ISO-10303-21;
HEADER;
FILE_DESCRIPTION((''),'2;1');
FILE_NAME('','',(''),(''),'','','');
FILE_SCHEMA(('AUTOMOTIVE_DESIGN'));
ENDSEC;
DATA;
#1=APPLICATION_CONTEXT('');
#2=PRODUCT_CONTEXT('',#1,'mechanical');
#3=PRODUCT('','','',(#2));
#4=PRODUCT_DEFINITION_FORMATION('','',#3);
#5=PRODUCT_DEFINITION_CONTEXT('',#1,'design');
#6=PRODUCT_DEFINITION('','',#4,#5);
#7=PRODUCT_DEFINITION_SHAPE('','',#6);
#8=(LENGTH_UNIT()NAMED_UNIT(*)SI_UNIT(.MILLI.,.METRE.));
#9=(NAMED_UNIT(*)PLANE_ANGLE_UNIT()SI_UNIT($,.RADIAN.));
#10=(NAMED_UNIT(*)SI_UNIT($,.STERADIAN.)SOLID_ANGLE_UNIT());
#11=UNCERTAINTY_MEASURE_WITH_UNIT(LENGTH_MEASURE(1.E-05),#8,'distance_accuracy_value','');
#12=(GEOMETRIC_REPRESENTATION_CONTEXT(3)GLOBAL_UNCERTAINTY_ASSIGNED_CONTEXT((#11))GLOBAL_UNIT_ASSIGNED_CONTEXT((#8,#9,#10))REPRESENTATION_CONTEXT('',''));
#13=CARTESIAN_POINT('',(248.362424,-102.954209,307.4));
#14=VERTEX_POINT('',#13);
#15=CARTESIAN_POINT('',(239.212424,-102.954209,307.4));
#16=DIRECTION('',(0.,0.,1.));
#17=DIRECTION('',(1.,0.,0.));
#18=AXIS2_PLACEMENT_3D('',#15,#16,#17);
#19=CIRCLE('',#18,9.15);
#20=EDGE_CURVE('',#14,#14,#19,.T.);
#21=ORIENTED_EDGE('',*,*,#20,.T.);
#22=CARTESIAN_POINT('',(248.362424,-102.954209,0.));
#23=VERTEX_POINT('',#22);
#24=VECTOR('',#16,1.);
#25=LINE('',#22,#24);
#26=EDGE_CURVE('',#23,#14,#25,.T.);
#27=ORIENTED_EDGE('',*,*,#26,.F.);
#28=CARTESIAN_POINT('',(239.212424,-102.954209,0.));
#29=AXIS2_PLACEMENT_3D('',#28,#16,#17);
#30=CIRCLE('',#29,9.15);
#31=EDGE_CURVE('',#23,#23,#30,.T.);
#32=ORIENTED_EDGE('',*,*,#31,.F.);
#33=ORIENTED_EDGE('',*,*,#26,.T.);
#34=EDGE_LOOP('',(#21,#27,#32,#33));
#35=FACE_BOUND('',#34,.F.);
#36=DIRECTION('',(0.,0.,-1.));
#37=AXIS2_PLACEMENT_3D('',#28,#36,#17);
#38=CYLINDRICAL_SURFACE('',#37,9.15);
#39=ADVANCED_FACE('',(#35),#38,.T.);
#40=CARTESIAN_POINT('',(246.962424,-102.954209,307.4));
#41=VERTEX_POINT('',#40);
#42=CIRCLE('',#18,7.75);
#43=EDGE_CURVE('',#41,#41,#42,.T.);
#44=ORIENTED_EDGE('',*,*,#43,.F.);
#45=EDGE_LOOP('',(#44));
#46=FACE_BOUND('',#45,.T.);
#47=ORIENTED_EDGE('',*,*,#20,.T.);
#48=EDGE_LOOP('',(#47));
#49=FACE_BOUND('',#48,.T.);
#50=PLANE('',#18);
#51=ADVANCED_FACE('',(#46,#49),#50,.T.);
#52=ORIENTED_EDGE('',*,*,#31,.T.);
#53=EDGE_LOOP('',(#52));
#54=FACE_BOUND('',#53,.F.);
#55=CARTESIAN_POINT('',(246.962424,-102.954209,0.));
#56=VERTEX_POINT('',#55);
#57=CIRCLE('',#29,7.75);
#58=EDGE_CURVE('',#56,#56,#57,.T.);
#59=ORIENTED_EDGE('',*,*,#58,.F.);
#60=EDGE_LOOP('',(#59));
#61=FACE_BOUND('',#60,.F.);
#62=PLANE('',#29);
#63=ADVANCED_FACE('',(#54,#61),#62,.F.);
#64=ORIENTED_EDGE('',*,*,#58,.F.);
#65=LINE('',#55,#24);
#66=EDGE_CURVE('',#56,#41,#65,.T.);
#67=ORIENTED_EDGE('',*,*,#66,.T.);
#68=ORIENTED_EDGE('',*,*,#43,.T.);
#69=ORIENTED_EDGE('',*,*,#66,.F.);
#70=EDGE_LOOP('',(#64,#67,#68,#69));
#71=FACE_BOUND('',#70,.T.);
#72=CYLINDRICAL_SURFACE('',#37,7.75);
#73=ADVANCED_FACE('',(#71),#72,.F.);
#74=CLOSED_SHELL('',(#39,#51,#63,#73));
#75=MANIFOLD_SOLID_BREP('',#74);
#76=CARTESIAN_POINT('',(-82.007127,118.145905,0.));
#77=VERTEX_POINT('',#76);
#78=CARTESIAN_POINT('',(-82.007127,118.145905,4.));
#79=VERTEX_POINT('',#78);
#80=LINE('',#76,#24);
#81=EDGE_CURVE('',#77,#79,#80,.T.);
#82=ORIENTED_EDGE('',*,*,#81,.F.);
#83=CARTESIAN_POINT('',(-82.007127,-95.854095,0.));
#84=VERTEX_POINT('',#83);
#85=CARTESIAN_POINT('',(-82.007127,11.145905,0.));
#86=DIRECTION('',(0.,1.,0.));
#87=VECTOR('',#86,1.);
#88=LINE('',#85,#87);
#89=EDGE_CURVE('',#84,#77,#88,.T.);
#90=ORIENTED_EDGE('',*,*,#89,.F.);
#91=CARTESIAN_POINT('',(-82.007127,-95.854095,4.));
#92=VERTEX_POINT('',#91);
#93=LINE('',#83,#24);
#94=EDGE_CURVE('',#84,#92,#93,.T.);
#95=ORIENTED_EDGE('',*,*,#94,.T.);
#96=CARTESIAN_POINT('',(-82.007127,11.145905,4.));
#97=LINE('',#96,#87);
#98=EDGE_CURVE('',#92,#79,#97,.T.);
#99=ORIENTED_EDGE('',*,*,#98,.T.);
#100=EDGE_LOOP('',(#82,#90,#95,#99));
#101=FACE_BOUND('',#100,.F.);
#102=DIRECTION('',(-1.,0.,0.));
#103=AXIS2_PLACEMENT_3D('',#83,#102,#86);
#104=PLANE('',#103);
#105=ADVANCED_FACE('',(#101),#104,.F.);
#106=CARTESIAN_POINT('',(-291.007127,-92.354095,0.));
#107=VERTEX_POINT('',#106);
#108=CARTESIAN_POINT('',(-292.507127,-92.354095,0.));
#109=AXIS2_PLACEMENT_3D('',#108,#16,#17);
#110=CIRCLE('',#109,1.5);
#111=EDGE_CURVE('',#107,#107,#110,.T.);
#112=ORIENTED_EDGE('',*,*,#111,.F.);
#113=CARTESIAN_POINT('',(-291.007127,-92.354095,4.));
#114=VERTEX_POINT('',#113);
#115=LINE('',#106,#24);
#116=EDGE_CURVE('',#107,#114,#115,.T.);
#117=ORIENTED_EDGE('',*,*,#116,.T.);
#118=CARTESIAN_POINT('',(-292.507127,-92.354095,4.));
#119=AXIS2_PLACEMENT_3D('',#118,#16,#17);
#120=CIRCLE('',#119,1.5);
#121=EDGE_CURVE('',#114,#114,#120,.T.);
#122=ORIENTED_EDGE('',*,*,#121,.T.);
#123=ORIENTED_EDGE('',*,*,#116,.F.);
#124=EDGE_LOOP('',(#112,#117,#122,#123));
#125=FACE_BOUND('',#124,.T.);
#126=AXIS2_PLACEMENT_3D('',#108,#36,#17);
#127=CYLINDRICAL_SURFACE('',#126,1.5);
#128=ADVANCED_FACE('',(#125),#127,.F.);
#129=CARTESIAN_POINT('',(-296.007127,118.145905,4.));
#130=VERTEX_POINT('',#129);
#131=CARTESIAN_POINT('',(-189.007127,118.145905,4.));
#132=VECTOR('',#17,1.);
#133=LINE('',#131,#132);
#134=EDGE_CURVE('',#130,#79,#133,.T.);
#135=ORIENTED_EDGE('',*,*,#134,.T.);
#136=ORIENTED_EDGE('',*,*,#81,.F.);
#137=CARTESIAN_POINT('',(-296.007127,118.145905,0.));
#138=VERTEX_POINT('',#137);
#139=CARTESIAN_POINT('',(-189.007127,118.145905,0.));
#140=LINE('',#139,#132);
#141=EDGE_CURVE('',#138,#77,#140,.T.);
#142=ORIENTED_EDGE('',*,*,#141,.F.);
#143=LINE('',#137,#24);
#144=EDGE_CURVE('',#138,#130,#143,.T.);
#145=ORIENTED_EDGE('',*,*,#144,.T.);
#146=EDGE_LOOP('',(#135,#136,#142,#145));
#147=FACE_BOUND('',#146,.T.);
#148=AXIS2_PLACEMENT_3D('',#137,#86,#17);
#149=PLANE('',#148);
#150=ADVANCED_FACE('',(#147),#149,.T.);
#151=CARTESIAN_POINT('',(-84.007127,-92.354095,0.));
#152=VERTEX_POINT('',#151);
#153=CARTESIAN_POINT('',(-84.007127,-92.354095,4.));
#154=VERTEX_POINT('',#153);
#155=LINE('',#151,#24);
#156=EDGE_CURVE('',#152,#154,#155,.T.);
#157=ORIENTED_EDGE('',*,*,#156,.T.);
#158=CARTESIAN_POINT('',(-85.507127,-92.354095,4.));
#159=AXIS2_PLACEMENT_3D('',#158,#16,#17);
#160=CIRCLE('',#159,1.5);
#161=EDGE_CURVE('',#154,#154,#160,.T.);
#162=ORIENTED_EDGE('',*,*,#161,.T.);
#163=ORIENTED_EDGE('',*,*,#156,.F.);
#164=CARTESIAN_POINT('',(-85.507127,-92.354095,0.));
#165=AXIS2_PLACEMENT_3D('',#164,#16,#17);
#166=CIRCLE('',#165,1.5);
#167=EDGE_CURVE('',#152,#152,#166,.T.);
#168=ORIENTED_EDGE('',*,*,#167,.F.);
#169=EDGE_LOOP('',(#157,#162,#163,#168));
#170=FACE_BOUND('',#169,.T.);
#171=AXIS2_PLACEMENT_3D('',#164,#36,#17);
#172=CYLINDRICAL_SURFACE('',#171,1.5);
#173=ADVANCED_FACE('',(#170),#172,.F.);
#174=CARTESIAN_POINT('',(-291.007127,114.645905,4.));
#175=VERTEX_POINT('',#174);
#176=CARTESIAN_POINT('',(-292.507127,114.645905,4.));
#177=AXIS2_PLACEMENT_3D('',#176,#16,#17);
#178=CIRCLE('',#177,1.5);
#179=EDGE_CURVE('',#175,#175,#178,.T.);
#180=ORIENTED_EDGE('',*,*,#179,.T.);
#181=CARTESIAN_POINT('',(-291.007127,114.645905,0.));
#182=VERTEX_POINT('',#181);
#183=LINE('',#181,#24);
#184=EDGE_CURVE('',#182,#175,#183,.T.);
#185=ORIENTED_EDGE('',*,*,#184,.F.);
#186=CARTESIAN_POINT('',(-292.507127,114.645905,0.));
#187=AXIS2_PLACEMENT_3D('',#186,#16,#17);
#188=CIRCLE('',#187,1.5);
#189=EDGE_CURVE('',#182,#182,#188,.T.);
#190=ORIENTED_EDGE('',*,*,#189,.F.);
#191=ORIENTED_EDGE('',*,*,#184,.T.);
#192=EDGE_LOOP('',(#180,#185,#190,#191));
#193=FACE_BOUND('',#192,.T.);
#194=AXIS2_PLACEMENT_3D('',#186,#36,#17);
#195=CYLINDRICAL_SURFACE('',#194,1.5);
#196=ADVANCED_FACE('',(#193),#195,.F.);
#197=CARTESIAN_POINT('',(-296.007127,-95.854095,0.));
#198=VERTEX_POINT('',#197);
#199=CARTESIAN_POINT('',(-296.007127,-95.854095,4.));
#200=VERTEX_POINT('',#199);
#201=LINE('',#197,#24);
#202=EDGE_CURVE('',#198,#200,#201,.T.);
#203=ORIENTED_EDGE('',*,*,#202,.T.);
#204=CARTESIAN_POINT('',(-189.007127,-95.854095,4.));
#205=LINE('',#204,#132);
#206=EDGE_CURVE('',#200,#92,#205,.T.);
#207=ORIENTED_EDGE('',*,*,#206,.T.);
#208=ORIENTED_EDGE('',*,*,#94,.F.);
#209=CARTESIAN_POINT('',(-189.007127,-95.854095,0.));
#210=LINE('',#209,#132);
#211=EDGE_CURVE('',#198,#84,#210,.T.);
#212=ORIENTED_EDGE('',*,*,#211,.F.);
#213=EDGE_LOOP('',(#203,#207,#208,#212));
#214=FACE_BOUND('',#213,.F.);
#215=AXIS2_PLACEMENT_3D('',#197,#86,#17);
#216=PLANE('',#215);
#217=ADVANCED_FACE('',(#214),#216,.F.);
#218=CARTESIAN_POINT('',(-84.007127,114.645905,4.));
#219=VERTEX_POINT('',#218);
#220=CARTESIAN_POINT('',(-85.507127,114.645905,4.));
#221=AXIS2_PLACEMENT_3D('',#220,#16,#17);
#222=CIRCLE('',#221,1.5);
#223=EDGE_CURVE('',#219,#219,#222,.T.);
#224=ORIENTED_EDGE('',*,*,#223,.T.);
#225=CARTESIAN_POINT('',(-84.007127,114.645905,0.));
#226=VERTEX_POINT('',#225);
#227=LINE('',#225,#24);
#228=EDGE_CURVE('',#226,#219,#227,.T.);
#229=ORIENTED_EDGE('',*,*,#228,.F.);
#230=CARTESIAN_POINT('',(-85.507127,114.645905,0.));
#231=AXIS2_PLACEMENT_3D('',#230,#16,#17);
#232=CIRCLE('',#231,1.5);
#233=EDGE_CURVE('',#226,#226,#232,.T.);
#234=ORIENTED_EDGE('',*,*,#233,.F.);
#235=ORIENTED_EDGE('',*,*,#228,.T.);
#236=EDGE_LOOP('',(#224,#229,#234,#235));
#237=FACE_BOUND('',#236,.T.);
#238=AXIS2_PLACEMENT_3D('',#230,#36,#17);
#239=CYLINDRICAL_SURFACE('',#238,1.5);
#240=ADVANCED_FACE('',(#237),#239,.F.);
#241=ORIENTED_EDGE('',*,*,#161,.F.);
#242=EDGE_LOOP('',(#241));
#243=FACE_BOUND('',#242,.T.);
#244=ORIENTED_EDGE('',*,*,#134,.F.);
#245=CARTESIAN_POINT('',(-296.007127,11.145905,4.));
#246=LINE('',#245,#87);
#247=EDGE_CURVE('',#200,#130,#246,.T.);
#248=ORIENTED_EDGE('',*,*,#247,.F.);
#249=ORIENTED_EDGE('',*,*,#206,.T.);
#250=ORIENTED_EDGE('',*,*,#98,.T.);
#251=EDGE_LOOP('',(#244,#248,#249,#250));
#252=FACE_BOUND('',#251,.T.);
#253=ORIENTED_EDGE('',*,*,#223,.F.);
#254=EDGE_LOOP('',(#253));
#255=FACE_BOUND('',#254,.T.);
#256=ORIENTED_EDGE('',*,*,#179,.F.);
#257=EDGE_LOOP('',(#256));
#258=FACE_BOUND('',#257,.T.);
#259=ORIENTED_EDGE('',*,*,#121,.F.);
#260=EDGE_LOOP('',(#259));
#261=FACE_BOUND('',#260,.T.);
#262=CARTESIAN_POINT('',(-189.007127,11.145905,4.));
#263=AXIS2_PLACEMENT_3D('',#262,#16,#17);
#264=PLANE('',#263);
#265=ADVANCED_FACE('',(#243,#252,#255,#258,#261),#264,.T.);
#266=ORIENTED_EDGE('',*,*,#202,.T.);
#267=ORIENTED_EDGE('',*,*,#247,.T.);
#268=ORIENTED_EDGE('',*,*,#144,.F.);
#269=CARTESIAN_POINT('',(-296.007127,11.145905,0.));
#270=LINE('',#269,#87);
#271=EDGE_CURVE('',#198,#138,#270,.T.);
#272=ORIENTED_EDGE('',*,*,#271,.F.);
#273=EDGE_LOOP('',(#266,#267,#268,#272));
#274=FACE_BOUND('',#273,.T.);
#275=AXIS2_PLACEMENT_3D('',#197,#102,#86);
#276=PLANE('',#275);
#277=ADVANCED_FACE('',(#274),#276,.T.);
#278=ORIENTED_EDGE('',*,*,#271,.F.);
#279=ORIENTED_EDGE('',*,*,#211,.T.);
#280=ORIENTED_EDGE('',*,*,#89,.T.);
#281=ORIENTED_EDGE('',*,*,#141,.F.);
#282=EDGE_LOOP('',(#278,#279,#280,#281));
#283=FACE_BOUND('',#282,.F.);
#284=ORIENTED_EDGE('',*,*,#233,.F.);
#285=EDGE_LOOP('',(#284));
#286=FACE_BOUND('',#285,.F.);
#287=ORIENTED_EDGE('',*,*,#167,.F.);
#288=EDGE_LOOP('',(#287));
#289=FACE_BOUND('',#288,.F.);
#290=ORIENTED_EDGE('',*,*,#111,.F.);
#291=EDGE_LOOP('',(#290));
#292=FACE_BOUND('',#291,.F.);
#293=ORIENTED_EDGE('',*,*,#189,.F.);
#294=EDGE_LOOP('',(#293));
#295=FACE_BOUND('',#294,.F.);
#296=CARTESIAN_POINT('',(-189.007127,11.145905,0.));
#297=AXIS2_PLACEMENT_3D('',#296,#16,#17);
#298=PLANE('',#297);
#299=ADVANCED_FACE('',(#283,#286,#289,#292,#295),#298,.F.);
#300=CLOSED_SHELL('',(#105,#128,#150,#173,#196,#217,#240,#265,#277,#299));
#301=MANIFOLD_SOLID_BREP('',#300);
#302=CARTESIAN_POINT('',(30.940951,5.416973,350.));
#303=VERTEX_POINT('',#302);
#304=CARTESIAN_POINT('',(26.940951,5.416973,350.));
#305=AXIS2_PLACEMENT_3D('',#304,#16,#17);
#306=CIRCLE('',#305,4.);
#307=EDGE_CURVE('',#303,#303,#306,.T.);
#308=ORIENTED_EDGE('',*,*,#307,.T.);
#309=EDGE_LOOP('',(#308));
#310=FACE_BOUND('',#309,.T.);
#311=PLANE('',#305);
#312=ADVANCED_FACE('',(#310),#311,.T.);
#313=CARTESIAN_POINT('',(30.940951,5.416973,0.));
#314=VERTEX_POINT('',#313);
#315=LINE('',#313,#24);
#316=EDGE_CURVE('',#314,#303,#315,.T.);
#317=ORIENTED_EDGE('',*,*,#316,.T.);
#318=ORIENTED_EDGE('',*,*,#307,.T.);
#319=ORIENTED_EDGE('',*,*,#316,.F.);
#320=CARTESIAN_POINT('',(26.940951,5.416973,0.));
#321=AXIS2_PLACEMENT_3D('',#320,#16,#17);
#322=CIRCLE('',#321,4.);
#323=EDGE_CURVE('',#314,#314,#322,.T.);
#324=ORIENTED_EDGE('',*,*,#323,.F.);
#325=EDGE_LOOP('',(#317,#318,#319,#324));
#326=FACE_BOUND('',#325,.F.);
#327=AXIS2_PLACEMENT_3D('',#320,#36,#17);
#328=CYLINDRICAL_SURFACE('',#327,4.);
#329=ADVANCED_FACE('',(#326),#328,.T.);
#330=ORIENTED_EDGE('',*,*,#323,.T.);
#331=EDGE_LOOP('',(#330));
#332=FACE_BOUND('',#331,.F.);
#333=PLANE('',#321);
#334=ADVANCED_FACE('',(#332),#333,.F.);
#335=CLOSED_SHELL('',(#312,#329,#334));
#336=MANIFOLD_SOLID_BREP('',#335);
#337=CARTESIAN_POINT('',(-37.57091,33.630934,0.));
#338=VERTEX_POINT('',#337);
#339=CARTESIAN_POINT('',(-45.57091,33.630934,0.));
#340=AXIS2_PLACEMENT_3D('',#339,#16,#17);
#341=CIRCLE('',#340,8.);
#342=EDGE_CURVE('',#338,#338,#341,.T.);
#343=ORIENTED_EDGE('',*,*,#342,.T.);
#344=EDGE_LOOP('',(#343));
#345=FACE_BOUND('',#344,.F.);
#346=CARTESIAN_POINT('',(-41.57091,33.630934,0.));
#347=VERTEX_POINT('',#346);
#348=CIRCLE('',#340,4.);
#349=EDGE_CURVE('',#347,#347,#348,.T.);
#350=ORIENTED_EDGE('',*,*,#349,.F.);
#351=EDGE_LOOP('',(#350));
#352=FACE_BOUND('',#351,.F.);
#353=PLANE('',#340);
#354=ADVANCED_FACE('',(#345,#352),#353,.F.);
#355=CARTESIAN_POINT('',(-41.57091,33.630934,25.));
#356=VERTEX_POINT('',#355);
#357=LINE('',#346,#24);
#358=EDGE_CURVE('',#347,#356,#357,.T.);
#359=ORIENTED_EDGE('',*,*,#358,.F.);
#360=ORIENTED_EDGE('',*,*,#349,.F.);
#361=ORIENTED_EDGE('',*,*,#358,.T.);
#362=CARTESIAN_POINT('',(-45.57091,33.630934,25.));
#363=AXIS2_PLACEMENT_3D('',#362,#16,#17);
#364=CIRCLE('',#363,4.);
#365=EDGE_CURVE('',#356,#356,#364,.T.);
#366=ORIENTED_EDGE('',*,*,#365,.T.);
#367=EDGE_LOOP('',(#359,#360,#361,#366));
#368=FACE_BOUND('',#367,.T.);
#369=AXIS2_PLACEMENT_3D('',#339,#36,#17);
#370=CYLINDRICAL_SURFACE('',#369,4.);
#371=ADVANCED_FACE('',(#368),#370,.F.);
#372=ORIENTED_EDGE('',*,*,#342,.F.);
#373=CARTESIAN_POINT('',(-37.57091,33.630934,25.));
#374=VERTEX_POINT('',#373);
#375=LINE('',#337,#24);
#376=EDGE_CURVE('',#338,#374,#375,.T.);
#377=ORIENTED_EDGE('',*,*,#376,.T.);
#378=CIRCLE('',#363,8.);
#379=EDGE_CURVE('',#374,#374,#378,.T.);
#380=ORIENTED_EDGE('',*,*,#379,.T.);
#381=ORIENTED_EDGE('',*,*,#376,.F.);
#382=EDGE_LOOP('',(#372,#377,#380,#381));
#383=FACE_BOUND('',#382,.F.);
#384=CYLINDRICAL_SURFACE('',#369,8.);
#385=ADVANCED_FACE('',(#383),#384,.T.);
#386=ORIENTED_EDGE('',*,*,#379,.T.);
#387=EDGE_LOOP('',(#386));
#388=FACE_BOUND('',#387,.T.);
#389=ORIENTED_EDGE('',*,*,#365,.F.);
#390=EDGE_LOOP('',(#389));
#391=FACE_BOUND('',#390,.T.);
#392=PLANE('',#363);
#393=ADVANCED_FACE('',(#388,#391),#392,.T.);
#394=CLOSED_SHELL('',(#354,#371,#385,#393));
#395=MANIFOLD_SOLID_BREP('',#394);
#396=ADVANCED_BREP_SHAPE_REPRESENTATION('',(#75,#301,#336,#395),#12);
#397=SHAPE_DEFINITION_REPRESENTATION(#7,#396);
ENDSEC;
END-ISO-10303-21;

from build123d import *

# Parameters (mm, degrees)
F0_R     = 8
F0_R_2   = 4
F1_DEPTH = 25
F2_DEPTH = 350
F0_W     = 214
F0_H     = 214
F0_R_3   = 1.5
F3_DEPTH = 4
F0_R_4   = 9.15
F0_R_5   = 7.75
F4_DEPTH = 307.4


with BuildPart() as f1:
    # F0 (on Top) → F1 (new body)
    with BuildSketch(Plane.XY):
        with Locations((-45.57091, 33.630934)):
            Circle(F0_R)
        with Locations((-45.57091, 33.630934)):
            Circle(F0_R_2, mode=Mode.SUBTRACT)
    extrude(amount=F1_DEPTH)


with BuildPart() as f2:
    # F0 (on Top) → F2 (new body)
    with BuildSketch(Plane.XY):
        with Locations((26.940951, 5.416973)):
            Circle(F0_R_2)
    extrude(amount=F2_DEPTH)


with BuildPart() as f3:
    # F0 (on Top) → F3 (new body)
    with BuildSketch(Plane.XY):
        with Locations((-189.007127, 11.145905)):
            Rectangle(F0_W, F0_H)
        with Locations((-292.507127, -92.354095)):
            Circle(F0_R_3, mode=Mode.SUBTRACT)
        with Locations((-85.507127, -92.354095)):
            Circle(F0_R_3, mode=Mode.SUBTRACT)
        with Locations((-292.507127, 114.645905)):
            Circle(F0_R_3, mode=Mode.SUBTRACT)
        with Locations((-85.507127, 114.645905)):
            Circle(F0_R_3, mode=Mode.SUBTRACT)
    extrude(amount=F3_DEPTH)


with BuildPart() as f4:
    # F0 (on Top) → F4 (new body)
    with BuildSketch(Plane.XY):
        with Locations((239.212424, -102.954209)):
            Circle(F0_R_4)
        with Locations((239.212424, -102.954209)):
            Circle(F0_R_5, mode=Mode.SUBTRACT)
    extrude(amount=F4_DEPTH)


solid = Compound([f1.part, f2.part, f3.part, f4.part])
